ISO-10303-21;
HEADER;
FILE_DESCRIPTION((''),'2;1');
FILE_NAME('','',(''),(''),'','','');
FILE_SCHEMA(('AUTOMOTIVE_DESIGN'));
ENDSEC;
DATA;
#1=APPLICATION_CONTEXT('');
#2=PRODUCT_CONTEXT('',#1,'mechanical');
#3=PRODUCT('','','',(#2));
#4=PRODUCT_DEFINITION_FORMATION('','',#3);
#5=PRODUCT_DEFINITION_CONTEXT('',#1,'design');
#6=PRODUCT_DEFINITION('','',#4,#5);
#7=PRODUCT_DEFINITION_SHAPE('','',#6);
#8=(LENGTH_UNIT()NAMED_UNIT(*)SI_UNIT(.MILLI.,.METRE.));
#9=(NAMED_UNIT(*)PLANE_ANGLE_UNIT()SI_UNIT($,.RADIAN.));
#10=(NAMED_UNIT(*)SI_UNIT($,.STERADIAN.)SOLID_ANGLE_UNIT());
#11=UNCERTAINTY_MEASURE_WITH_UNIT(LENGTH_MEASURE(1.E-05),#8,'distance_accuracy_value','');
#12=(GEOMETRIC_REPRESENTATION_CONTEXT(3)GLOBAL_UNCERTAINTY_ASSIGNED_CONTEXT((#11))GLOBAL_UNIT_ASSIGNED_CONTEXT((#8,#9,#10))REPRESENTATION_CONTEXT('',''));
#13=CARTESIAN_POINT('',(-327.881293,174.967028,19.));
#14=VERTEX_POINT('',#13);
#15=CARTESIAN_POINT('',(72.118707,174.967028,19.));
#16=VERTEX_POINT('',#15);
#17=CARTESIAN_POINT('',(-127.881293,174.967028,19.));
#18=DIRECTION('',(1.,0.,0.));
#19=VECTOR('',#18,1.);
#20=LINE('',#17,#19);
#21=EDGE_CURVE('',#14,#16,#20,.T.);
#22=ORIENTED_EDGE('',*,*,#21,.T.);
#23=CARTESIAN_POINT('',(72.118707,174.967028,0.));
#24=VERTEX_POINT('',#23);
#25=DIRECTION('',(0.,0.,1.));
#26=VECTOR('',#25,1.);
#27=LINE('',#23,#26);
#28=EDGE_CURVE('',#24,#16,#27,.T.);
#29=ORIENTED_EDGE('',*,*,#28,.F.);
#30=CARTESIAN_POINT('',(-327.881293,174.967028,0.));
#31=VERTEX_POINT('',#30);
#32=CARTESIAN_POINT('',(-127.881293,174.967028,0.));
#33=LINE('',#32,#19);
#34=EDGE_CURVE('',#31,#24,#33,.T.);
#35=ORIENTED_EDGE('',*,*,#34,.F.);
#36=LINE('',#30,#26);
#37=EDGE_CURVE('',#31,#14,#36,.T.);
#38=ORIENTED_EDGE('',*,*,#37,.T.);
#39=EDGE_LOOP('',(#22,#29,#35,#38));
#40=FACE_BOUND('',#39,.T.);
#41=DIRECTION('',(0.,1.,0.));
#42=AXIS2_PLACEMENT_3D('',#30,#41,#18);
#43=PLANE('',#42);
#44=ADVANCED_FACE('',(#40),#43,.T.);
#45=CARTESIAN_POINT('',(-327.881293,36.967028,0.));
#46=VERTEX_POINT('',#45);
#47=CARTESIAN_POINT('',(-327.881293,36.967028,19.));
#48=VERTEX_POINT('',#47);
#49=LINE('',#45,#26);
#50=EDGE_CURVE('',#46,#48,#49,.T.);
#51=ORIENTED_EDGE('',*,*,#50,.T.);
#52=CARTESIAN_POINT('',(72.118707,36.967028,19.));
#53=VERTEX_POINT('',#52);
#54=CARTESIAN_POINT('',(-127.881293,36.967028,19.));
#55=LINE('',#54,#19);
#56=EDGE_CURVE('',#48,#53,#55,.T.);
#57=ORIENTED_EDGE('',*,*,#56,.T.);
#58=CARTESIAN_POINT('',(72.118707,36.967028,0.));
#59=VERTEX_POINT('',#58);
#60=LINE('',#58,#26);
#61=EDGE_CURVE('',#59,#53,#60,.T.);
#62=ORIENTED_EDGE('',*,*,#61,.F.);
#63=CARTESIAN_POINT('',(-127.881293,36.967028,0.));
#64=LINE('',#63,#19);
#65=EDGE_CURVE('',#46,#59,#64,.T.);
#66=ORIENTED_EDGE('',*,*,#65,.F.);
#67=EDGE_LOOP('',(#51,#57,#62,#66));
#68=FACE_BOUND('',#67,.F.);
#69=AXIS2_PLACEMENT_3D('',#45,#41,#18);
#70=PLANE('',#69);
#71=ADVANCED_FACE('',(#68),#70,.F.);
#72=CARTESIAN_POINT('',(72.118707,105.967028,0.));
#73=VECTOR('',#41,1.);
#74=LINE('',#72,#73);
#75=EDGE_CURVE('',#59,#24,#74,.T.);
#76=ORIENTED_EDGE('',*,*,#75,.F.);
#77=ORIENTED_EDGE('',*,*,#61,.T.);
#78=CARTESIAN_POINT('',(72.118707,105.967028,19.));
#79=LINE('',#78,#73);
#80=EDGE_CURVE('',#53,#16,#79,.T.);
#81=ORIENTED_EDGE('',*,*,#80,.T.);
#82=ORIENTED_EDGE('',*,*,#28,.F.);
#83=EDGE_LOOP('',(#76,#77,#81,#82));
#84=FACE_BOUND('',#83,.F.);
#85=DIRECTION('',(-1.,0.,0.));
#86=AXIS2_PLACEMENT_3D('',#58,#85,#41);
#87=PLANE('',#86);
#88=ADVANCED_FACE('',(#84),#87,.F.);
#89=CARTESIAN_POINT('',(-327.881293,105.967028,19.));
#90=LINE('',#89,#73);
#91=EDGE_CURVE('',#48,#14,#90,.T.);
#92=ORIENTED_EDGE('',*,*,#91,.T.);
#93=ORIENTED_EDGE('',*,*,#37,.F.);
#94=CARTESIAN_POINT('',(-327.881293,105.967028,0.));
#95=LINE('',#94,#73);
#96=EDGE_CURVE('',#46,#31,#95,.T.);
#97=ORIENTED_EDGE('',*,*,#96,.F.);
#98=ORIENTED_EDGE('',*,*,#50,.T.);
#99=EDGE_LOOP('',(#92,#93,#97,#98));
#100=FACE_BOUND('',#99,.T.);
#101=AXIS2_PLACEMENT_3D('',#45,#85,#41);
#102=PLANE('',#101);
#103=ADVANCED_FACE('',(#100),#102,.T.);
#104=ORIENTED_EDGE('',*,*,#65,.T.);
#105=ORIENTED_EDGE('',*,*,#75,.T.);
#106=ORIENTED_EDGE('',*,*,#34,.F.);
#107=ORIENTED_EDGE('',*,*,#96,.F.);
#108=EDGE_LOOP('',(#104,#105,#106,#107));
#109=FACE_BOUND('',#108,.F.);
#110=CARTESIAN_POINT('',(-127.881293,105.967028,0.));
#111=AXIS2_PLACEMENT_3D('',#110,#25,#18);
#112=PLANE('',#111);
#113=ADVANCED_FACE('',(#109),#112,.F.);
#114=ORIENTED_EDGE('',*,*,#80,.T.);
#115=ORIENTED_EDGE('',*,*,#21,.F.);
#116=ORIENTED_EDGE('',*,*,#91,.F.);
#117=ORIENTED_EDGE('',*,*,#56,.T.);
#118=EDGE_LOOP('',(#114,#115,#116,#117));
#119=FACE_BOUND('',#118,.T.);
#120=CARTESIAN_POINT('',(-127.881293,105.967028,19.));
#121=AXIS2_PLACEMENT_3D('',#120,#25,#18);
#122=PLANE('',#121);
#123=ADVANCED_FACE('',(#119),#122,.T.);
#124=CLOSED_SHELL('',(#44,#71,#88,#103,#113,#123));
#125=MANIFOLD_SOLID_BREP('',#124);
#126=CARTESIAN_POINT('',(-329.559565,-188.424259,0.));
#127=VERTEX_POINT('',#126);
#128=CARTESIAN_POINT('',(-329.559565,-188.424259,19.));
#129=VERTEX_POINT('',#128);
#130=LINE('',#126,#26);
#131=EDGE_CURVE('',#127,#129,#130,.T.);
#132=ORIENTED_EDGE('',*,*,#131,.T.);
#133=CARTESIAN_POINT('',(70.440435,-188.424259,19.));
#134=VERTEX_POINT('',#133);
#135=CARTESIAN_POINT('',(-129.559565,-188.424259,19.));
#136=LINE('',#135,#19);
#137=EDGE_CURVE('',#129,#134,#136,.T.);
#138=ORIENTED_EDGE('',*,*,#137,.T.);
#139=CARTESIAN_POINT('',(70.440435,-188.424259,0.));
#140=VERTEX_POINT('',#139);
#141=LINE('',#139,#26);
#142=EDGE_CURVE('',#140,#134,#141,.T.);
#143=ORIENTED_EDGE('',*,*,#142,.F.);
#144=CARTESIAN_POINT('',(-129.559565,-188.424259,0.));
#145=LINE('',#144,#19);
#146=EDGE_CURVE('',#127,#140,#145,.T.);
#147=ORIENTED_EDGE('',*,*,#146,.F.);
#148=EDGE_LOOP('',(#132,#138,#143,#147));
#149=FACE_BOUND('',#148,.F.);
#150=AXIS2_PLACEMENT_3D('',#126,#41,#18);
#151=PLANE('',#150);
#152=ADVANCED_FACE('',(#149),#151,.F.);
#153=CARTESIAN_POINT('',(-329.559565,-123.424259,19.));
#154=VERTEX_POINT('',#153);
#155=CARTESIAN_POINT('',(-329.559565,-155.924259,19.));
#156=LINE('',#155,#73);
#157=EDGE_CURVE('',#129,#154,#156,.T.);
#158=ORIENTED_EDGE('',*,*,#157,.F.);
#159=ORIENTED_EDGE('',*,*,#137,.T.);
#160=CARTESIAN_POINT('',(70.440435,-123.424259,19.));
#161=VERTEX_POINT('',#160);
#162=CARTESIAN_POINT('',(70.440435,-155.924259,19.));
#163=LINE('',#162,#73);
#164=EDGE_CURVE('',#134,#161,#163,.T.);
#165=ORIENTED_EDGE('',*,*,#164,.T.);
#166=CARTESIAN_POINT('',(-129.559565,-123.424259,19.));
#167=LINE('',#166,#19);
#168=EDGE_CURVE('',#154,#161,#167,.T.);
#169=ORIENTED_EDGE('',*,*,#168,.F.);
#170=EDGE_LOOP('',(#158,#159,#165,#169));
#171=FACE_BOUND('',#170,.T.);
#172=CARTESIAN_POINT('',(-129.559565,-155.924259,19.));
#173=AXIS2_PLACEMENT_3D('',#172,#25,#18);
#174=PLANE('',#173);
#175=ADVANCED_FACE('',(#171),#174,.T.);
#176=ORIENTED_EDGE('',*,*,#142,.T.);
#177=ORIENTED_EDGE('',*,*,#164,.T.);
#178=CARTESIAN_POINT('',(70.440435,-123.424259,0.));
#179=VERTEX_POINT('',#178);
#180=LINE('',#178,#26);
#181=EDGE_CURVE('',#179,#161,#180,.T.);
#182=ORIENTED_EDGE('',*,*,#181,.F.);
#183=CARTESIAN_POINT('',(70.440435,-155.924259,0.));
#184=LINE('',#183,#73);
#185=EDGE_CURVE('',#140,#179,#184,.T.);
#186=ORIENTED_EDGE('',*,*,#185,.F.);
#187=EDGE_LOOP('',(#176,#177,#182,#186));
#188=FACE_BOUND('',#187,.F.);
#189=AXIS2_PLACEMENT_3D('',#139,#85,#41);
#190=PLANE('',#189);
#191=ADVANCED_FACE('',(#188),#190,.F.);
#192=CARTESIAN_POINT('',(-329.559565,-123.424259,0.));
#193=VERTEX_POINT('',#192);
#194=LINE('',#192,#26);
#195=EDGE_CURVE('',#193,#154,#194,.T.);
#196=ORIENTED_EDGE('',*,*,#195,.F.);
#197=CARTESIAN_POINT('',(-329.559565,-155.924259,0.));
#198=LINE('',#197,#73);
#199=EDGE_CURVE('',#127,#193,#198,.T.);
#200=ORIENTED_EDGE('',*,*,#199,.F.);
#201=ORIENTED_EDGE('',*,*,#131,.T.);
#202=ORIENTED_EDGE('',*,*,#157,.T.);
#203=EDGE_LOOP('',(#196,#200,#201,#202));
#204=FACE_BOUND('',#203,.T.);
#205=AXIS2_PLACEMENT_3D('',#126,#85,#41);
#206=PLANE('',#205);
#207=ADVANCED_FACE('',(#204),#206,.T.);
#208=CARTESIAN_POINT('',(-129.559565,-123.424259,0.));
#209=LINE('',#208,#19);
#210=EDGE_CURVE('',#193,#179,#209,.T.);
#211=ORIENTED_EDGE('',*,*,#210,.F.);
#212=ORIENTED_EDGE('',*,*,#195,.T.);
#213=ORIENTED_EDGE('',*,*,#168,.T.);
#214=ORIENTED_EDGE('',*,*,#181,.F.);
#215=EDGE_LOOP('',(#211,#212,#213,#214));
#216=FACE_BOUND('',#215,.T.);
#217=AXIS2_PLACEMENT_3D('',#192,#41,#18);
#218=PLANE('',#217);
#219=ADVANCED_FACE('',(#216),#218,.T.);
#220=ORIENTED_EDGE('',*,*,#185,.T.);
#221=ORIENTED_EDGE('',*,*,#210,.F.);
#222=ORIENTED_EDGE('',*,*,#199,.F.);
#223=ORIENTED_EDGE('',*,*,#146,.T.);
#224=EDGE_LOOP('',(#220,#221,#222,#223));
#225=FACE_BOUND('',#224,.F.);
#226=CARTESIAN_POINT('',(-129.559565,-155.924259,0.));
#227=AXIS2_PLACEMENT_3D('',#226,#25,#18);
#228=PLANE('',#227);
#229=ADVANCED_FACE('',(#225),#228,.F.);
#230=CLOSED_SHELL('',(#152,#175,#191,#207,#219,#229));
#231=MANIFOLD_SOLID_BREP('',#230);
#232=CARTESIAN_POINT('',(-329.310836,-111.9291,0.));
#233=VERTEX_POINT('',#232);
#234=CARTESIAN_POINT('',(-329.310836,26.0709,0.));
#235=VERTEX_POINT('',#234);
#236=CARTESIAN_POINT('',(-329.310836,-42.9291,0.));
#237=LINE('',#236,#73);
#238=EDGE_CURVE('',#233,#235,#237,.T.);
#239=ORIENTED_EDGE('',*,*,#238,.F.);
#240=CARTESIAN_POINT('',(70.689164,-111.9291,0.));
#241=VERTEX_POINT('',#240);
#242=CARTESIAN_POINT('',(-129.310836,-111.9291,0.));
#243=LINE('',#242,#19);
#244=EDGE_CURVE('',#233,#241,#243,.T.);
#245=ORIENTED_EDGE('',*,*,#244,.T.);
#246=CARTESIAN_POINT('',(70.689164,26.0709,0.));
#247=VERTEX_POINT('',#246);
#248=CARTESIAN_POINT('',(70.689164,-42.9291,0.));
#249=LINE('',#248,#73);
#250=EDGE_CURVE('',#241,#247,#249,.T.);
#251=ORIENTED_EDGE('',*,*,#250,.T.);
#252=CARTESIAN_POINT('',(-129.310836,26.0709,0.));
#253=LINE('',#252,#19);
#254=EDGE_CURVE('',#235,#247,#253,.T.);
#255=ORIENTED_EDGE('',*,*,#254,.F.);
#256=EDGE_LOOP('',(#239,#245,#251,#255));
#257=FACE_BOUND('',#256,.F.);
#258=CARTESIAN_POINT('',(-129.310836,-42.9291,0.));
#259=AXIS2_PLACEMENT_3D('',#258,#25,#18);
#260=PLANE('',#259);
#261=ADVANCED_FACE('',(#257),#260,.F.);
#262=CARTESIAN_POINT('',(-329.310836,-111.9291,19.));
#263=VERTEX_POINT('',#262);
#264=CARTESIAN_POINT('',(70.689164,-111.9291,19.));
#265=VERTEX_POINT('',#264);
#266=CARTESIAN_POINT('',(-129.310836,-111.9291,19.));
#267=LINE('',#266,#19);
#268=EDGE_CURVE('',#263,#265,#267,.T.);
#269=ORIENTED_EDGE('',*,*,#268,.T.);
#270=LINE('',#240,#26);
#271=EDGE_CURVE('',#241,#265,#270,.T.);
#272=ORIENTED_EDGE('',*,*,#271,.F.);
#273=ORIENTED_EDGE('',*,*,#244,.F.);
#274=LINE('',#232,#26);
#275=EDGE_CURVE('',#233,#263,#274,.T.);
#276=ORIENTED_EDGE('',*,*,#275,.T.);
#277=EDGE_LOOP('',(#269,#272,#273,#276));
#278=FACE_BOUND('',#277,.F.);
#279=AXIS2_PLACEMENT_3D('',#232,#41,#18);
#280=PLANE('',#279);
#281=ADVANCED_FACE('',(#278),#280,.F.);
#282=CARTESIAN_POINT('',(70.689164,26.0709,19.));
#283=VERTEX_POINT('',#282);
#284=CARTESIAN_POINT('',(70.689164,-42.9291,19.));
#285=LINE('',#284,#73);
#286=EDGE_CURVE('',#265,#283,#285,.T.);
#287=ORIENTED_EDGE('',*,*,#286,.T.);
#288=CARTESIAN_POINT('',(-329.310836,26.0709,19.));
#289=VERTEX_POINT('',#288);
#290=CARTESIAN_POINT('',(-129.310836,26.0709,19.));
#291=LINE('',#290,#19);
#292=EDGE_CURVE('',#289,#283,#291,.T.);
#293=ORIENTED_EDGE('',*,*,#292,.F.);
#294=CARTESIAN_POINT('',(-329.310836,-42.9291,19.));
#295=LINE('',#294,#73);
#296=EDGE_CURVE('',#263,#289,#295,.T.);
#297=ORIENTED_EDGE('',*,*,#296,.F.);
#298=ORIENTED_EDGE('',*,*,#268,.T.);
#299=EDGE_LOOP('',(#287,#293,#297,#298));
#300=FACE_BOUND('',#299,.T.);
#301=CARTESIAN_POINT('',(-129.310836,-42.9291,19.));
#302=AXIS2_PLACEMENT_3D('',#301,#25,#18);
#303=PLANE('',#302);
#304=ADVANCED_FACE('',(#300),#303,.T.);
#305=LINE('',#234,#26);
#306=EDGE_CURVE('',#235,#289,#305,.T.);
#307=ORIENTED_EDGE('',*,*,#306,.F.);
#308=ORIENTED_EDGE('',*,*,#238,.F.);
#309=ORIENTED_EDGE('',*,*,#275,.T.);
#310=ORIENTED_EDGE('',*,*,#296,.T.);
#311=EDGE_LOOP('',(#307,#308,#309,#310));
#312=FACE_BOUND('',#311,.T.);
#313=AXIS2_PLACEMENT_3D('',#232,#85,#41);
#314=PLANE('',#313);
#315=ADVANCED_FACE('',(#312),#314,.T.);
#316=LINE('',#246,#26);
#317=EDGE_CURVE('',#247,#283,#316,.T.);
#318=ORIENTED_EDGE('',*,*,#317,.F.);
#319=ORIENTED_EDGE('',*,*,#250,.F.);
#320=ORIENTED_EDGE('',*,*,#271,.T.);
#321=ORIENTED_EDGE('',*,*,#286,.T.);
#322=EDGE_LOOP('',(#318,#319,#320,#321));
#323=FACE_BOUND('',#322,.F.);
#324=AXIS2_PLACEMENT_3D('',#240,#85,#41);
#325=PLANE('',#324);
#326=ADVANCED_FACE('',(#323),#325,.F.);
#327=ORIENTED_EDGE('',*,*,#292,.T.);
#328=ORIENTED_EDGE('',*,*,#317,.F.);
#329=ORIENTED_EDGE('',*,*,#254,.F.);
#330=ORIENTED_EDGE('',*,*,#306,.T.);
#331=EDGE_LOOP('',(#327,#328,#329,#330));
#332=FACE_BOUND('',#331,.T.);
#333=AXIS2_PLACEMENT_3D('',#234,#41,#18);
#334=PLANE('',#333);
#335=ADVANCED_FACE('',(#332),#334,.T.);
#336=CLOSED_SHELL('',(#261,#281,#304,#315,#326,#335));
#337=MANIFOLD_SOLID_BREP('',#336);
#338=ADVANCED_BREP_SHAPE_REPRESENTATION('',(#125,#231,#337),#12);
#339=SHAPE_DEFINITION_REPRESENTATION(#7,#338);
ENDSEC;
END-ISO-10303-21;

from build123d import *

# Parameters (mm, degrees)
F0_W     = 400
F0_H     = 138
F0_H_2   = 65
F1_DEPTH = 19


with BuildPart() as f1:
    # F0 (on Top) → F1 (new body)
    with BuildSketch(Plane.XY):
        with Locations((-127.881293, 105.967028)):
            Rectangle(F0_W, F0_H)
        with Locations((-129.310836, -42.9291)):
            Rectangle(F0_W, F0_H)
        with Locations((-129.559565, -155.924259)):
            Rectangle(F0_W, F0_H_2)
    extrude(amount=F1_DEPTH)


solid = f1.part
